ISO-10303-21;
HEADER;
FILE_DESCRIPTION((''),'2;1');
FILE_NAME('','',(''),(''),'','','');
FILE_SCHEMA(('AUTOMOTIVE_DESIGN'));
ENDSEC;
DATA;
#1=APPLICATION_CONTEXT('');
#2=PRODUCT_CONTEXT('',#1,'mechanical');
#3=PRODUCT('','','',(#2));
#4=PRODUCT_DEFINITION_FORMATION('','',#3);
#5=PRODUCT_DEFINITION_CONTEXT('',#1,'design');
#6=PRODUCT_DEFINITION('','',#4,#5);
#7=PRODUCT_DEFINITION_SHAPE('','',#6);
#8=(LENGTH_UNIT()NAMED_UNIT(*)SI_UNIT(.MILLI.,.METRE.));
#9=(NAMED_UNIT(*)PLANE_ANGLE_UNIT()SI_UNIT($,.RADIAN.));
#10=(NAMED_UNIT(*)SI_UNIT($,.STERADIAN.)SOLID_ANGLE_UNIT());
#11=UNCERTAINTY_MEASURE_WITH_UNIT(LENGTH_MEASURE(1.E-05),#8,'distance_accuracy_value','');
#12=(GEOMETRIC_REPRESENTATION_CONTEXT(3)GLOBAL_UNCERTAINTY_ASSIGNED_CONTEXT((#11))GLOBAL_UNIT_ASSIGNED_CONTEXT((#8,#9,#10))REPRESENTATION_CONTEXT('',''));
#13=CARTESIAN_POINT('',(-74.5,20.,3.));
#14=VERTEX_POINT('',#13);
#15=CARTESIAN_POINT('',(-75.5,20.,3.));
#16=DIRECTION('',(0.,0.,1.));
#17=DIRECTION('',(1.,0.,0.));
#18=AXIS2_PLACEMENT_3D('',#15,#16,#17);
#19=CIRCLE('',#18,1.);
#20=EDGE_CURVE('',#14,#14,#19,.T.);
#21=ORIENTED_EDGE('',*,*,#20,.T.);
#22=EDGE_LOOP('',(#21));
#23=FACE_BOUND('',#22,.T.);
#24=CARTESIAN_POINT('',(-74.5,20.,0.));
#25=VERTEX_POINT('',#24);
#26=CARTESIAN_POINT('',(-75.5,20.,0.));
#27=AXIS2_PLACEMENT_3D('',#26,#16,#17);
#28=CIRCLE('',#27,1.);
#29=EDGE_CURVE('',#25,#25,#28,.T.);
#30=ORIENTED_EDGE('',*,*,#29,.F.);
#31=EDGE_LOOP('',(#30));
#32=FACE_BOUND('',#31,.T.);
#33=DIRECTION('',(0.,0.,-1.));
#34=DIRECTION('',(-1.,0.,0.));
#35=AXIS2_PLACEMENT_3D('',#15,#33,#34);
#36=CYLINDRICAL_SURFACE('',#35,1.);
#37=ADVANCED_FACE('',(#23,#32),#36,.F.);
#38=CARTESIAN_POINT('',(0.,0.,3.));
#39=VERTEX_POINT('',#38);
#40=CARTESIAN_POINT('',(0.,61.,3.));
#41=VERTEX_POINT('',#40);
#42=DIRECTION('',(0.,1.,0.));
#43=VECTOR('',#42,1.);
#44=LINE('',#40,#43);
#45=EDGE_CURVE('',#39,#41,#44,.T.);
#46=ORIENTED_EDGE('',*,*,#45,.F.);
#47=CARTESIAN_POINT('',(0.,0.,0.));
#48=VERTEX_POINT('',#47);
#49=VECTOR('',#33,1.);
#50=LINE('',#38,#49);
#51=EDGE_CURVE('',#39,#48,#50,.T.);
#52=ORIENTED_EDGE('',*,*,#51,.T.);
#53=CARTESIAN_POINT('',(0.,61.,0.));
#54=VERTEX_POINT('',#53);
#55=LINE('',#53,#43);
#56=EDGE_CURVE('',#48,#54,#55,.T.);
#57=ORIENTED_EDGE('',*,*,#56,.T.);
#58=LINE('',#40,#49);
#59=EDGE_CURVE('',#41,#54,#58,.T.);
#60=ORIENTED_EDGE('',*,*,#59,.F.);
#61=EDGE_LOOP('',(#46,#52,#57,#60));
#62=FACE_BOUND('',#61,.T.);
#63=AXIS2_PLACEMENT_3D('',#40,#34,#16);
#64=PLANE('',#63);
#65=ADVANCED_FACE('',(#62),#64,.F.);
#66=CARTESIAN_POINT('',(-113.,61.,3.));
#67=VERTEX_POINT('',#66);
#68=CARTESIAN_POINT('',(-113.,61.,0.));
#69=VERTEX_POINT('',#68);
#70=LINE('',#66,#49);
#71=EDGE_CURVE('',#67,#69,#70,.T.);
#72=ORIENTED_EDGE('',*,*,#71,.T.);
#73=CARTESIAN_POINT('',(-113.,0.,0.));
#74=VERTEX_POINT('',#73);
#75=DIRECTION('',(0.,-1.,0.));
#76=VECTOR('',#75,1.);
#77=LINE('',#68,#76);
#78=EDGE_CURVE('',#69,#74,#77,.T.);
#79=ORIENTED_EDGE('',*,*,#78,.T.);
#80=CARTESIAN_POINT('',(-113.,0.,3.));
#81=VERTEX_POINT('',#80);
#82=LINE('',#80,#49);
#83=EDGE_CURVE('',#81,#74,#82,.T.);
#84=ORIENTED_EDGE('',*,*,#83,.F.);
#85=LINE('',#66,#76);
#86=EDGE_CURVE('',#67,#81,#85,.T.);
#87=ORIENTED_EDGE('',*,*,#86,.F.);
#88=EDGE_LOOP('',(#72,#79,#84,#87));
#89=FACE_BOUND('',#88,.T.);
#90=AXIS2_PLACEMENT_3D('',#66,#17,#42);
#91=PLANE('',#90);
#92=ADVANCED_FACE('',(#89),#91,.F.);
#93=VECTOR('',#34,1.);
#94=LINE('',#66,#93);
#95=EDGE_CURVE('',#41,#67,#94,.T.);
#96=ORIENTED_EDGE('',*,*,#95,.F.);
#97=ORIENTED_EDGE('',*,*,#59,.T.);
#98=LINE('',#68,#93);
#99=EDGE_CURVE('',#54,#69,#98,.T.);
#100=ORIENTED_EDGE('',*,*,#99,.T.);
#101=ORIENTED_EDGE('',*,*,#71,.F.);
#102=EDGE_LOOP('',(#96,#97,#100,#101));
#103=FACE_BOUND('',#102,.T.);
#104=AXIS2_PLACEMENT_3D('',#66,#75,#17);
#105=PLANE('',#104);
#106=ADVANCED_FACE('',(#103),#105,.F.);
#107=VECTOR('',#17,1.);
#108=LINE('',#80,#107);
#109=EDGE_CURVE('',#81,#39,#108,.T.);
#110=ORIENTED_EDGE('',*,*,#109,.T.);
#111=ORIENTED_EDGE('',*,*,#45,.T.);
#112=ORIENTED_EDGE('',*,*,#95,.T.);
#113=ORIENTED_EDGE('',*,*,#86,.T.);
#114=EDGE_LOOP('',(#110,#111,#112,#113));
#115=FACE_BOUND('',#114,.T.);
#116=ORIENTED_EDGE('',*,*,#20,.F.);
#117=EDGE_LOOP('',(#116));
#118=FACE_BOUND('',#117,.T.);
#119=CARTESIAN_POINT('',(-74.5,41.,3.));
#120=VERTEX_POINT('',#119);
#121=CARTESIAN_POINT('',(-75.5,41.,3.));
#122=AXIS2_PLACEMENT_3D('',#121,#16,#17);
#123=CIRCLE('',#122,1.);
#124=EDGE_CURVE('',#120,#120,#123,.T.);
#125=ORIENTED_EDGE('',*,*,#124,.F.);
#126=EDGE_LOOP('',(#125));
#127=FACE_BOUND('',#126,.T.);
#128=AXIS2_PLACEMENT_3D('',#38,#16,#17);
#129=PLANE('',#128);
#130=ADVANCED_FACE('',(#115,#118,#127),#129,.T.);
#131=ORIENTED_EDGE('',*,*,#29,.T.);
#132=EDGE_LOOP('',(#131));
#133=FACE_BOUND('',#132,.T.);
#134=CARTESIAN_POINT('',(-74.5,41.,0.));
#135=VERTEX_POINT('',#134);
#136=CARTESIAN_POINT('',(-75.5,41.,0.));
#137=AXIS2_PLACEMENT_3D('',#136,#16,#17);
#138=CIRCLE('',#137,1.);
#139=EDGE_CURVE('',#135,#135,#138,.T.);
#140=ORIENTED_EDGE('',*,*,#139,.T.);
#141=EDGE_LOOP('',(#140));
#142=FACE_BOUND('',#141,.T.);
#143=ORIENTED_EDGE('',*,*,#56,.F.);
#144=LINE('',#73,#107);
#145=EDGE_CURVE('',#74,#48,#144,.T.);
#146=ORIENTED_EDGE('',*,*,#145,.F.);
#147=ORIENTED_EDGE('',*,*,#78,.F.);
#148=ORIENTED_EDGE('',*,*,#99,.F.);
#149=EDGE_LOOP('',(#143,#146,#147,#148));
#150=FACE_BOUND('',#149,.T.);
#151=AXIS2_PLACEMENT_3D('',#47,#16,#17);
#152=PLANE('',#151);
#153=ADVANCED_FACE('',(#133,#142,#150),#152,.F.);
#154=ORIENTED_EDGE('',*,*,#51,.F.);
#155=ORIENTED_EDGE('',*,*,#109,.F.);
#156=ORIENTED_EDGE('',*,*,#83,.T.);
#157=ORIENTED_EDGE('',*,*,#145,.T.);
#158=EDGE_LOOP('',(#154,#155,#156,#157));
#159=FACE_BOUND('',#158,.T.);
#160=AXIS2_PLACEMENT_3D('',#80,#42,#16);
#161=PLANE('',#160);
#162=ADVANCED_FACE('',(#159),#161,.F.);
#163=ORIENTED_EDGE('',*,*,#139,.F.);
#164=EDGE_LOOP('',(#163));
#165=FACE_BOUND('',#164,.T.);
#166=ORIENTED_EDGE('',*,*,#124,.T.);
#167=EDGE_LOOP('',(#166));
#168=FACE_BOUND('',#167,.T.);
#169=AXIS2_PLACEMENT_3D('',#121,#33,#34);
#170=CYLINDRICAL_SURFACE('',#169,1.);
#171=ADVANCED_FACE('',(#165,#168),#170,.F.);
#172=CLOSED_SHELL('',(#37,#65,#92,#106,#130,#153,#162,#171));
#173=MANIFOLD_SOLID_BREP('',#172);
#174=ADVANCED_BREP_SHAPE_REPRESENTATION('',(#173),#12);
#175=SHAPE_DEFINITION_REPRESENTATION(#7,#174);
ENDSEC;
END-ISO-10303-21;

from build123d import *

# Parameters (mm, degrees)
SKETCH1_W           = 113
SKETCH1_H           = 61
SKETCH1_R           = 1
BOSS_EXTRUDE1_DEPTH = 3


with BuildPart() as part:
    # Sketch1 → Boss-Extrude1 (new body)
    with BuildSketch(Plane.XY):
        with Locations((-56.5, 30.5)):
            Rectangle(SKETCH1_W, SKETCH1_H)
        with Locations((-75.5, 41)):
            Circle(SKETCH1_R, mode=Mode.SUBTRACT)
        with Locations((-75.5, 20)):
            Circle(SKETCH1_R, mode=Mode.SUBTRACT)
    extrude(amount=BOSS_EXTRUDE1_DEPTH)


solid = part.part
